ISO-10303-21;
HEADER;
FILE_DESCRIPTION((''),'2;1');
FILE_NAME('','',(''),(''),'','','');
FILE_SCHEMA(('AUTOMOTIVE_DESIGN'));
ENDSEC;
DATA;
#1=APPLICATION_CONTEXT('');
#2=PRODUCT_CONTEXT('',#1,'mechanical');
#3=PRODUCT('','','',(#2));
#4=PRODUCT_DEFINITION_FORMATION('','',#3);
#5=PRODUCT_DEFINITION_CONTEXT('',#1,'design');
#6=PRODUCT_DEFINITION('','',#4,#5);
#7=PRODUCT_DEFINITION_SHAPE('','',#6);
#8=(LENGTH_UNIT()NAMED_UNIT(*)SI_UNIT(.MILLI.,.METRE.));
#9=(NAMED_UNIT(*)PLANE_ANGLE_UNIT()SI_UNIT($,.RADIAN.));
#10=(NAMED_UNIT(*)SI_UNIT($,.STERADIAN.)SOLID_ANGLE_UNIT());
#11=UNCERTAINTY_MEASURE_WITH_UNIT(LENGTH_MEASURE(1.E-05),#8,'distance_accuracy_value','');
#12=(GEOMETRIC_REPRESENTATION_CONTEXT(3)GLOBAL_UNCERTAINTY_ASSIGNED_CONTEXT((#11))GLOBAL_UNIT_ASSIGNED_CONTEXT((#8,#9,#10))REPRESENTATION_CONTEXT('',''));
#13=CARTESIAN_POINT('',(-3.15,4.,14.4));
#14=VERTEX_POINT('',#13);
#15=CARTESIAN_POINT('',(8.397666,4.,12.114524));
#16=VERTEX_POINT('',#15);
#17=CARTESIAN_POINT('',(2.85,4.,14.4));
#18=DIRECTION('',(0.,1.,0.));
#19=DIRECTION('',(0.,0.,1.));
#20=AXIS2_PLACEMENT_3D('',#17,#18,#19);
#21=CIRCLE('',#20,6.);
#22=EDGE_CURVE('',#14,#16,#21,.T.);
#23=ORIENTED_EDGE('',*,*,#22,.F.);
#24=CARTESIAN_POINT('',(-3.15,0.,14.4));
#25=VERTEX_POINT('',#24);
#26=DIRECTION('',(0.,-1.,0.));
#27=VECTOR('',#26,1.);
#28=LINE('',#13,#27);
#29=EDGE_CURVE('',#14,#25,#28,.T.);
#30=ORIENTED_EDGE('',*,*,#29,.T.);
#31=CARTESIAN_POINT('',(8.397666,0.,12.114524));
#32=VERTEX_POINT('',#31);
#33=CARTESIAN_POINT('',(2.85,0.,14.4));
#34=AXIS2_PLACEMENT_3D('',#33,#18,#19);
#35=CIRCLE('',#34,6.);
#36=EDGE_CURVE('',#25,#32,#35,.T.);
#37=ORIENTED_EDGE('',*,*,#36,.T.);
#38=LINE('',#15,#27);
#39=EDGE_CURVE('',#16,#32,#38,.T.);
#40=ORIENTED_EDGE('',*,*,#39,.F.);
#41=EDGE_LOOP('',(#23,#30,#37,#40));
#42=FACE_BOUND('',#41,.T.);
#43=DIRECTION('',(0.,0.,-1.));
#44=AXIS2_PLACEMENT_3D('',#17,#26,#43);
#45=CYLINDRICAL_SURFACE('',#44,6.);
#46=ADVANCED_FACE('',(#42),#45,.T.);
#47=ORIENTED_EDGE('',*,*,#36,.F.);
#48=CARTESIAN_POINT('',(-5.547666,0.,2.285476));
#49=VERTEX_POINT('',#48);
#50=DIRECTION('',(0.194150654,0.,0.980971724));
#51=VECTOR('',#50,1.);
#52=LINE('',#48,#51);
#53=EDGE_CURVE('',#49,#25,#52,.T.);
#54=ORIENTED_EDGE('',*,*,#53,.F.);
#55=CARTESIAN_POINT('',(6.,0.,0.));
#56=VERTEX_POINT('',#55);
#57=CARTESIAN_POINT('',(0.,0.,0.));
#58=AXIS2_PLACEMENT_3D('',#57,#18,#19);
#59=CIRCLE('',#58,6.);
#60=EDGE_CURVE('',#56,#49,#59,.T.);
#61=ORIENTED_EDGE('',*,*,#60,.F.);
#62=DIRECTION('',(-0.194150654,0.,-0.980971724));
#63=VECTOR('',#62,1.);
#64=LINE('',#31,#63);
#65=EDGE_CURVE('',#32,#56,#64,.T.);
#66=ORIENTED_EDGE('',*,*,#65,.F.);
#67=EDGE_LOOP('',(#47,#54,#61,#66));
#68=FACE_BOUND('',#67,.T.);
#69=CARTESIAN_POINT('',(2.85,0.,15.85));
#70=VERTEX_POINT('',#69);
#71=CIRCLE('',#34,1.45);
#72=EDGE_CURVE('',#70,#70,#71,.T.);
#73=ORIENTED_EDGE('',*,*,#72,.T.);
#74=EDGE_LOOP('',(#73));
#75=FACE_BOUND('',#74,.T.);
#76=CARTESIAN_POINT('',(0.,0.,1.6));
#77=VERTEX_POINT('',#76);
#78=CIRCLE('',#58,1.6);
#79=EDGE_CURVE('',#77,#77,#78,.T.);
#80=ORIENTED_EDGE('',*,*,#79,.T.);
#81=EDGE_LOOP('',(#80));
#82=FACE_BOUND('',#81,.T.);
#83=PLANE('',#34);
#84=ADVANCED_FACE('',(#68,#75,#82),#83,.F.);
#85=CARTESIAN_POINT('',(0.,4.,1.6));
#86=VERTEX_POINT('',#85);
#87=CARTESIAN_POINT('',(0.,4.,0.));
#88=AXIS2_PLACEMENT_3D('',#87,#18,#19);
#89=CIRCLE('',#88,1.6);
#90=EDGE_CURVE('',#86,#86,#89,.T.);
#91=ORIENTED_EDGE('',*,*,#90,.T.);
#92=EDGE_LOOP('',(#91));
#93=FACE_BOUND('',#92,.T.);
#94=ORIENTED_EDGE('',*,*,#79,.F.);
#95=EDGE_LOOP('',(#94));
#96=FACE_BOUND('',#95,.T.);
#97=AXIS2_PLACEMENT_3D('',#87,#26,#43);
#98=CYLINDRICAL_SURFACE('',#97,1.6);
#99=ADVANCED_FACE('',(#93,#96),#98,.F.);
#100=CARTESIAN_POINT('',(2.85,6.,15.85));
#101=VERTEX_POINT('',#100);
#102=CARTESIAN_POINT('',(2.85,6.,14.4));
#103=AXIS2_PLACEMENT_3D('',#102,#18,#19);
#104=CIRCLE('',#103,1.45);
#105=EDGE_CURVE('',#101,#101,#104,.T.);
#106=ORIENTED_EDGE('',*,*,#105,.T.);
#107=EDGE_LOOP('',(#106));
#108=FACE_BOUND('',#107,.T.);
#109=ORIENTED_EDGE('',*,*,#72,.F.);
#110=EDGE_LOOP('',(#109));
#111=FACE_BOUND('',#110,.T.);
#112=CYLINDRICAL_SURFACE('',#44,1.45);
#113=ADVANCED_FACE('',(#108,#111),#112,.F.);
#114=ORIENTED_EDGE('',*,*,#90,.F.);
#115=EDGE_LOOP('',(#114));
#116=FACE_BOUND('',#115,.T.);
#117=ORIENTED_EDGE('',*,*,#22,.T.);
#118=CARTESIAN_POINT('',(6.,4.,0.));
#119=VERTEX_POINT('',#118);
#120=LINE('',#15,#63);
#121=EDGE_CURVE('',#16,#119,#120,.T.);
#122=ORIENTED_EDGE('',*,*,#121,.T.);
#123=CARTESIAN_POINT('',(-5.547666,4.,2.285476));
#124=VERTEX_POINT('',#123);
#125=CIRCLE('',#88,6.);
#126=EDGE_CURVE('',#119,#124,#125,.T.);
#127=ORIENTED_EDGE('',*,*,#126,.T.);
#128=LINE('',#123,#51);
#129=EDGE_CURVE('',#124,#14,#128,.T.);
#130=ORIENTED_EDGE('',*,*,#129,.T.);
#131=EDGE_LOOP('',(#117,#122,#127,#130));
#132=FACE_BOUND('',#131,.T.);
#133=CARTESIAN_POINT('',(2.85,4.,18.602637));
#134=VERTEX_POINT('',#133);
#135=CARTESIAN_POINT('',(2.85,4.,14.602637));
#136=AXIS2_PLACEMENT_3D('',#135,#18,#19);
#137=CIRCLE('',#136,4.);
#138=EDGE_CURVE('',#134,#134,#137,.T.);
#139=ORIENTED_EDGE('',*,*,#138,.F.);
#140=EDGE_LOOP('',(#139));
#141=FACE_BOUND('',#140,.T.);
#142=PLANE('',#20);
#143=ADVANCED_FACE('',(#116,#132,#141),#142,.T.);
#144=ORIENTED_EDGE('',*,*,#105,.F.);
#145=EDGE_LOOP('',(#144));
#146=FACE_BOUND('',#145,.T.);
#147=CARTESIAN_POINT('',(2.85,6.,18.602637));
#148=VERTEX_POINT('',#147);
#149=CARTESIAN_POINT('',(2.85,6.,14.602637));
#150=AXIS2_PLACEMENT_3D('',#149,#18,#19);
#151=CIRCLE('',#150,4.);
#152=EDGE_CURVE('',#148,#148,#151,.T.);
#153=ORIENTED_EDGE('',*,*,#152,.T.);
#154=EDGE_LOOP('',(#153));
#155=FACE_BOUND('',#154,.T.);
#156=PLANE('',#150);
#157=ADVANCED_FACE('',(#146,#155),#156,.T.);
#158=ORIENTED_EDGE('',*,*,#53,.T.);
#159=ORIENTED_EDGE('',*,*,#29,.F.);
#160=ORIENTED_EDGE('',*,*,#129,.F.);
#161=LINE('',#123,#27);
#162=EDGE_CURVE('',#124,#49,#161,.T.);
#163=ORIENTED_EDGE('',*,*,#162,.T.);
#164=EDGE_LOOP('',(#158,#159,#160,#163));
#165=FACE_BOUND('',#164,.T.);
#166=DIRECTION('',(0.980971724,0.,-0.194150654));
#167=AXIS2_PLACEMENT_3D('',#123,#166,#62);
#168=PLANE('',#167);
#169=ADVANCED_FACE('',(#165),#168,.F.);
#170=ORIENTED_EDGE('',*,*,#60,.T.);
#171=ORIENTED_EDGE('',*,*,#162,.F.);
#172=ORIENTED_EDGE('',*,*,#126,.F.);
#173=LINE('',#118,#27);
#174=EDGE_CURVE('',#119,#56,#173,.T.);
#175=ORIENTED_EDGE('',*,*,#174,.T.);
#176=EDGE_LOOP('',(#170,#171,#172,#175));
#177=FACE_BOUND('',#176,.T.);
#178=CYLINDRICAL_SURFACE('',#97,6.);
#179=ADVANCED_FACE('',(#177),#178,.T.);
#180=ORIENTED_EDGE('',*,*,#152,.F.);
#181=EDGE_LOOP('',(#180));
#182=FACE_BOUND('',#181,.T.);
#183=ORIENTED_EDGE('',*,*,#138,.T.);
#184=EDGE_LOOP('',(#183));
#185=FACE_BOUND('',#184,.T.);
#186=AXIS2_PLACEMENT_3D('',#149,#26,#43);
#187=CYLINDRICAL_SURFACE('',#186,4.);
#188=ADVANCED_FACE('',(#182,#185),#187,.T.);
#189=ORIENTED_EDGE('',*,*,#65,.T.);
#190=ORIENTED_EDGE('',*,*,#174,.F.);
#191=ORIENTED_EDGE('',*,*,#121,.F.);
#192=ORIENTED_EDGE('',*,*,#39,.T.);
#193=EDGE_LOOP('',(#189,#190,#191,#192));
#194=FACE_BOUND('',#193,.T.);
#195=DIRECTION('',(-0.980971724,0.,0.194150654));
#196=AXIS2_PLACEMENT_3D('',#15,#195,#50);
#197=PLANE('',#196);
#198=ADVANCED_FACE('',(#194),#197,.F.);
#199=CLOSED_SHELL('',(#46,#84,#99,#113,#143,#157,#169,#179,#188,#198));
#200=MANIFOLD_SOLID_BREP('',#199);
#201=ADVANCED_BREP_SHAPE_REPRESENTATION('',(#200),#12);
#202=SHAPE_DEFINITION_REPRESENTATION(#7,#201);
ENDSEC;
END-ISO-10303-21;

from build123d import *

# Parameters (mm, degrees)
SKETCH1_R           = 1.6
SKETCH1_R_2         = 1.45
BOSS_EXTRUDE1_DEPTH = 4
SKETCH2_R           = 4
SKETCH2_R_2         = 1.45
BOSS_EXTRUDE2_DEPTH = 2


with BuildPart() as part:
    # Sketch1 → Boss-Extrude1 (new body)
    with BuildSketch(Plane(origin=(0, 0, 0), x_dir=(1, 0, 0), z_dir=(0, 1, 0))):
        with BuildLine():
            Line((-5.547666284, -2.285475619), (-3.15, -14.4))
            ThreePointArc((-3.15, -14.4), (4.014903922, -20.285830345), (8.397666284, -12.114524381))
            Line((8.397666284, -12.114524381), (6, 0))
            ThreePointArc((6, 0), (-1.164903922, 5.885830345), (-5.547666284, -2.285475619))
        make_face()
        with Locations(Location((0, 0, 0), (0, 0, 270))):
            Circle(SKETCH1_R, mode=Mode.SUBTRACT)
        with Locations(Location((2.85, -14.4, 0), (0, 0, 270))):
            Circle(SKETCH1_R_2, mode=Mode.SUBTRACT)
    extrude(amount=BOSS_EXTRUDE1_DEPTH)

    # Sketch2 → Boss-Extrude2 (add)
    with BuildSketch(Plane(origin=(0, 4, 0), x_dir=(1, 0, 0), z_dir=(0, 1, 0))):
        with Locations(Location((2.85, -14.602637459, 0), (0, 0, 270))):
            Circle(SKETCH2_R)
        with Locations(Location((2.85, -14.4, 0), (0, 0, 270))):
            Circle(SKETCH2_R_2, mode=Mode.SUBTRACT)
    extrude(amount=BOSS_EXTRUDE2_DEPTH)


solid = part.part
